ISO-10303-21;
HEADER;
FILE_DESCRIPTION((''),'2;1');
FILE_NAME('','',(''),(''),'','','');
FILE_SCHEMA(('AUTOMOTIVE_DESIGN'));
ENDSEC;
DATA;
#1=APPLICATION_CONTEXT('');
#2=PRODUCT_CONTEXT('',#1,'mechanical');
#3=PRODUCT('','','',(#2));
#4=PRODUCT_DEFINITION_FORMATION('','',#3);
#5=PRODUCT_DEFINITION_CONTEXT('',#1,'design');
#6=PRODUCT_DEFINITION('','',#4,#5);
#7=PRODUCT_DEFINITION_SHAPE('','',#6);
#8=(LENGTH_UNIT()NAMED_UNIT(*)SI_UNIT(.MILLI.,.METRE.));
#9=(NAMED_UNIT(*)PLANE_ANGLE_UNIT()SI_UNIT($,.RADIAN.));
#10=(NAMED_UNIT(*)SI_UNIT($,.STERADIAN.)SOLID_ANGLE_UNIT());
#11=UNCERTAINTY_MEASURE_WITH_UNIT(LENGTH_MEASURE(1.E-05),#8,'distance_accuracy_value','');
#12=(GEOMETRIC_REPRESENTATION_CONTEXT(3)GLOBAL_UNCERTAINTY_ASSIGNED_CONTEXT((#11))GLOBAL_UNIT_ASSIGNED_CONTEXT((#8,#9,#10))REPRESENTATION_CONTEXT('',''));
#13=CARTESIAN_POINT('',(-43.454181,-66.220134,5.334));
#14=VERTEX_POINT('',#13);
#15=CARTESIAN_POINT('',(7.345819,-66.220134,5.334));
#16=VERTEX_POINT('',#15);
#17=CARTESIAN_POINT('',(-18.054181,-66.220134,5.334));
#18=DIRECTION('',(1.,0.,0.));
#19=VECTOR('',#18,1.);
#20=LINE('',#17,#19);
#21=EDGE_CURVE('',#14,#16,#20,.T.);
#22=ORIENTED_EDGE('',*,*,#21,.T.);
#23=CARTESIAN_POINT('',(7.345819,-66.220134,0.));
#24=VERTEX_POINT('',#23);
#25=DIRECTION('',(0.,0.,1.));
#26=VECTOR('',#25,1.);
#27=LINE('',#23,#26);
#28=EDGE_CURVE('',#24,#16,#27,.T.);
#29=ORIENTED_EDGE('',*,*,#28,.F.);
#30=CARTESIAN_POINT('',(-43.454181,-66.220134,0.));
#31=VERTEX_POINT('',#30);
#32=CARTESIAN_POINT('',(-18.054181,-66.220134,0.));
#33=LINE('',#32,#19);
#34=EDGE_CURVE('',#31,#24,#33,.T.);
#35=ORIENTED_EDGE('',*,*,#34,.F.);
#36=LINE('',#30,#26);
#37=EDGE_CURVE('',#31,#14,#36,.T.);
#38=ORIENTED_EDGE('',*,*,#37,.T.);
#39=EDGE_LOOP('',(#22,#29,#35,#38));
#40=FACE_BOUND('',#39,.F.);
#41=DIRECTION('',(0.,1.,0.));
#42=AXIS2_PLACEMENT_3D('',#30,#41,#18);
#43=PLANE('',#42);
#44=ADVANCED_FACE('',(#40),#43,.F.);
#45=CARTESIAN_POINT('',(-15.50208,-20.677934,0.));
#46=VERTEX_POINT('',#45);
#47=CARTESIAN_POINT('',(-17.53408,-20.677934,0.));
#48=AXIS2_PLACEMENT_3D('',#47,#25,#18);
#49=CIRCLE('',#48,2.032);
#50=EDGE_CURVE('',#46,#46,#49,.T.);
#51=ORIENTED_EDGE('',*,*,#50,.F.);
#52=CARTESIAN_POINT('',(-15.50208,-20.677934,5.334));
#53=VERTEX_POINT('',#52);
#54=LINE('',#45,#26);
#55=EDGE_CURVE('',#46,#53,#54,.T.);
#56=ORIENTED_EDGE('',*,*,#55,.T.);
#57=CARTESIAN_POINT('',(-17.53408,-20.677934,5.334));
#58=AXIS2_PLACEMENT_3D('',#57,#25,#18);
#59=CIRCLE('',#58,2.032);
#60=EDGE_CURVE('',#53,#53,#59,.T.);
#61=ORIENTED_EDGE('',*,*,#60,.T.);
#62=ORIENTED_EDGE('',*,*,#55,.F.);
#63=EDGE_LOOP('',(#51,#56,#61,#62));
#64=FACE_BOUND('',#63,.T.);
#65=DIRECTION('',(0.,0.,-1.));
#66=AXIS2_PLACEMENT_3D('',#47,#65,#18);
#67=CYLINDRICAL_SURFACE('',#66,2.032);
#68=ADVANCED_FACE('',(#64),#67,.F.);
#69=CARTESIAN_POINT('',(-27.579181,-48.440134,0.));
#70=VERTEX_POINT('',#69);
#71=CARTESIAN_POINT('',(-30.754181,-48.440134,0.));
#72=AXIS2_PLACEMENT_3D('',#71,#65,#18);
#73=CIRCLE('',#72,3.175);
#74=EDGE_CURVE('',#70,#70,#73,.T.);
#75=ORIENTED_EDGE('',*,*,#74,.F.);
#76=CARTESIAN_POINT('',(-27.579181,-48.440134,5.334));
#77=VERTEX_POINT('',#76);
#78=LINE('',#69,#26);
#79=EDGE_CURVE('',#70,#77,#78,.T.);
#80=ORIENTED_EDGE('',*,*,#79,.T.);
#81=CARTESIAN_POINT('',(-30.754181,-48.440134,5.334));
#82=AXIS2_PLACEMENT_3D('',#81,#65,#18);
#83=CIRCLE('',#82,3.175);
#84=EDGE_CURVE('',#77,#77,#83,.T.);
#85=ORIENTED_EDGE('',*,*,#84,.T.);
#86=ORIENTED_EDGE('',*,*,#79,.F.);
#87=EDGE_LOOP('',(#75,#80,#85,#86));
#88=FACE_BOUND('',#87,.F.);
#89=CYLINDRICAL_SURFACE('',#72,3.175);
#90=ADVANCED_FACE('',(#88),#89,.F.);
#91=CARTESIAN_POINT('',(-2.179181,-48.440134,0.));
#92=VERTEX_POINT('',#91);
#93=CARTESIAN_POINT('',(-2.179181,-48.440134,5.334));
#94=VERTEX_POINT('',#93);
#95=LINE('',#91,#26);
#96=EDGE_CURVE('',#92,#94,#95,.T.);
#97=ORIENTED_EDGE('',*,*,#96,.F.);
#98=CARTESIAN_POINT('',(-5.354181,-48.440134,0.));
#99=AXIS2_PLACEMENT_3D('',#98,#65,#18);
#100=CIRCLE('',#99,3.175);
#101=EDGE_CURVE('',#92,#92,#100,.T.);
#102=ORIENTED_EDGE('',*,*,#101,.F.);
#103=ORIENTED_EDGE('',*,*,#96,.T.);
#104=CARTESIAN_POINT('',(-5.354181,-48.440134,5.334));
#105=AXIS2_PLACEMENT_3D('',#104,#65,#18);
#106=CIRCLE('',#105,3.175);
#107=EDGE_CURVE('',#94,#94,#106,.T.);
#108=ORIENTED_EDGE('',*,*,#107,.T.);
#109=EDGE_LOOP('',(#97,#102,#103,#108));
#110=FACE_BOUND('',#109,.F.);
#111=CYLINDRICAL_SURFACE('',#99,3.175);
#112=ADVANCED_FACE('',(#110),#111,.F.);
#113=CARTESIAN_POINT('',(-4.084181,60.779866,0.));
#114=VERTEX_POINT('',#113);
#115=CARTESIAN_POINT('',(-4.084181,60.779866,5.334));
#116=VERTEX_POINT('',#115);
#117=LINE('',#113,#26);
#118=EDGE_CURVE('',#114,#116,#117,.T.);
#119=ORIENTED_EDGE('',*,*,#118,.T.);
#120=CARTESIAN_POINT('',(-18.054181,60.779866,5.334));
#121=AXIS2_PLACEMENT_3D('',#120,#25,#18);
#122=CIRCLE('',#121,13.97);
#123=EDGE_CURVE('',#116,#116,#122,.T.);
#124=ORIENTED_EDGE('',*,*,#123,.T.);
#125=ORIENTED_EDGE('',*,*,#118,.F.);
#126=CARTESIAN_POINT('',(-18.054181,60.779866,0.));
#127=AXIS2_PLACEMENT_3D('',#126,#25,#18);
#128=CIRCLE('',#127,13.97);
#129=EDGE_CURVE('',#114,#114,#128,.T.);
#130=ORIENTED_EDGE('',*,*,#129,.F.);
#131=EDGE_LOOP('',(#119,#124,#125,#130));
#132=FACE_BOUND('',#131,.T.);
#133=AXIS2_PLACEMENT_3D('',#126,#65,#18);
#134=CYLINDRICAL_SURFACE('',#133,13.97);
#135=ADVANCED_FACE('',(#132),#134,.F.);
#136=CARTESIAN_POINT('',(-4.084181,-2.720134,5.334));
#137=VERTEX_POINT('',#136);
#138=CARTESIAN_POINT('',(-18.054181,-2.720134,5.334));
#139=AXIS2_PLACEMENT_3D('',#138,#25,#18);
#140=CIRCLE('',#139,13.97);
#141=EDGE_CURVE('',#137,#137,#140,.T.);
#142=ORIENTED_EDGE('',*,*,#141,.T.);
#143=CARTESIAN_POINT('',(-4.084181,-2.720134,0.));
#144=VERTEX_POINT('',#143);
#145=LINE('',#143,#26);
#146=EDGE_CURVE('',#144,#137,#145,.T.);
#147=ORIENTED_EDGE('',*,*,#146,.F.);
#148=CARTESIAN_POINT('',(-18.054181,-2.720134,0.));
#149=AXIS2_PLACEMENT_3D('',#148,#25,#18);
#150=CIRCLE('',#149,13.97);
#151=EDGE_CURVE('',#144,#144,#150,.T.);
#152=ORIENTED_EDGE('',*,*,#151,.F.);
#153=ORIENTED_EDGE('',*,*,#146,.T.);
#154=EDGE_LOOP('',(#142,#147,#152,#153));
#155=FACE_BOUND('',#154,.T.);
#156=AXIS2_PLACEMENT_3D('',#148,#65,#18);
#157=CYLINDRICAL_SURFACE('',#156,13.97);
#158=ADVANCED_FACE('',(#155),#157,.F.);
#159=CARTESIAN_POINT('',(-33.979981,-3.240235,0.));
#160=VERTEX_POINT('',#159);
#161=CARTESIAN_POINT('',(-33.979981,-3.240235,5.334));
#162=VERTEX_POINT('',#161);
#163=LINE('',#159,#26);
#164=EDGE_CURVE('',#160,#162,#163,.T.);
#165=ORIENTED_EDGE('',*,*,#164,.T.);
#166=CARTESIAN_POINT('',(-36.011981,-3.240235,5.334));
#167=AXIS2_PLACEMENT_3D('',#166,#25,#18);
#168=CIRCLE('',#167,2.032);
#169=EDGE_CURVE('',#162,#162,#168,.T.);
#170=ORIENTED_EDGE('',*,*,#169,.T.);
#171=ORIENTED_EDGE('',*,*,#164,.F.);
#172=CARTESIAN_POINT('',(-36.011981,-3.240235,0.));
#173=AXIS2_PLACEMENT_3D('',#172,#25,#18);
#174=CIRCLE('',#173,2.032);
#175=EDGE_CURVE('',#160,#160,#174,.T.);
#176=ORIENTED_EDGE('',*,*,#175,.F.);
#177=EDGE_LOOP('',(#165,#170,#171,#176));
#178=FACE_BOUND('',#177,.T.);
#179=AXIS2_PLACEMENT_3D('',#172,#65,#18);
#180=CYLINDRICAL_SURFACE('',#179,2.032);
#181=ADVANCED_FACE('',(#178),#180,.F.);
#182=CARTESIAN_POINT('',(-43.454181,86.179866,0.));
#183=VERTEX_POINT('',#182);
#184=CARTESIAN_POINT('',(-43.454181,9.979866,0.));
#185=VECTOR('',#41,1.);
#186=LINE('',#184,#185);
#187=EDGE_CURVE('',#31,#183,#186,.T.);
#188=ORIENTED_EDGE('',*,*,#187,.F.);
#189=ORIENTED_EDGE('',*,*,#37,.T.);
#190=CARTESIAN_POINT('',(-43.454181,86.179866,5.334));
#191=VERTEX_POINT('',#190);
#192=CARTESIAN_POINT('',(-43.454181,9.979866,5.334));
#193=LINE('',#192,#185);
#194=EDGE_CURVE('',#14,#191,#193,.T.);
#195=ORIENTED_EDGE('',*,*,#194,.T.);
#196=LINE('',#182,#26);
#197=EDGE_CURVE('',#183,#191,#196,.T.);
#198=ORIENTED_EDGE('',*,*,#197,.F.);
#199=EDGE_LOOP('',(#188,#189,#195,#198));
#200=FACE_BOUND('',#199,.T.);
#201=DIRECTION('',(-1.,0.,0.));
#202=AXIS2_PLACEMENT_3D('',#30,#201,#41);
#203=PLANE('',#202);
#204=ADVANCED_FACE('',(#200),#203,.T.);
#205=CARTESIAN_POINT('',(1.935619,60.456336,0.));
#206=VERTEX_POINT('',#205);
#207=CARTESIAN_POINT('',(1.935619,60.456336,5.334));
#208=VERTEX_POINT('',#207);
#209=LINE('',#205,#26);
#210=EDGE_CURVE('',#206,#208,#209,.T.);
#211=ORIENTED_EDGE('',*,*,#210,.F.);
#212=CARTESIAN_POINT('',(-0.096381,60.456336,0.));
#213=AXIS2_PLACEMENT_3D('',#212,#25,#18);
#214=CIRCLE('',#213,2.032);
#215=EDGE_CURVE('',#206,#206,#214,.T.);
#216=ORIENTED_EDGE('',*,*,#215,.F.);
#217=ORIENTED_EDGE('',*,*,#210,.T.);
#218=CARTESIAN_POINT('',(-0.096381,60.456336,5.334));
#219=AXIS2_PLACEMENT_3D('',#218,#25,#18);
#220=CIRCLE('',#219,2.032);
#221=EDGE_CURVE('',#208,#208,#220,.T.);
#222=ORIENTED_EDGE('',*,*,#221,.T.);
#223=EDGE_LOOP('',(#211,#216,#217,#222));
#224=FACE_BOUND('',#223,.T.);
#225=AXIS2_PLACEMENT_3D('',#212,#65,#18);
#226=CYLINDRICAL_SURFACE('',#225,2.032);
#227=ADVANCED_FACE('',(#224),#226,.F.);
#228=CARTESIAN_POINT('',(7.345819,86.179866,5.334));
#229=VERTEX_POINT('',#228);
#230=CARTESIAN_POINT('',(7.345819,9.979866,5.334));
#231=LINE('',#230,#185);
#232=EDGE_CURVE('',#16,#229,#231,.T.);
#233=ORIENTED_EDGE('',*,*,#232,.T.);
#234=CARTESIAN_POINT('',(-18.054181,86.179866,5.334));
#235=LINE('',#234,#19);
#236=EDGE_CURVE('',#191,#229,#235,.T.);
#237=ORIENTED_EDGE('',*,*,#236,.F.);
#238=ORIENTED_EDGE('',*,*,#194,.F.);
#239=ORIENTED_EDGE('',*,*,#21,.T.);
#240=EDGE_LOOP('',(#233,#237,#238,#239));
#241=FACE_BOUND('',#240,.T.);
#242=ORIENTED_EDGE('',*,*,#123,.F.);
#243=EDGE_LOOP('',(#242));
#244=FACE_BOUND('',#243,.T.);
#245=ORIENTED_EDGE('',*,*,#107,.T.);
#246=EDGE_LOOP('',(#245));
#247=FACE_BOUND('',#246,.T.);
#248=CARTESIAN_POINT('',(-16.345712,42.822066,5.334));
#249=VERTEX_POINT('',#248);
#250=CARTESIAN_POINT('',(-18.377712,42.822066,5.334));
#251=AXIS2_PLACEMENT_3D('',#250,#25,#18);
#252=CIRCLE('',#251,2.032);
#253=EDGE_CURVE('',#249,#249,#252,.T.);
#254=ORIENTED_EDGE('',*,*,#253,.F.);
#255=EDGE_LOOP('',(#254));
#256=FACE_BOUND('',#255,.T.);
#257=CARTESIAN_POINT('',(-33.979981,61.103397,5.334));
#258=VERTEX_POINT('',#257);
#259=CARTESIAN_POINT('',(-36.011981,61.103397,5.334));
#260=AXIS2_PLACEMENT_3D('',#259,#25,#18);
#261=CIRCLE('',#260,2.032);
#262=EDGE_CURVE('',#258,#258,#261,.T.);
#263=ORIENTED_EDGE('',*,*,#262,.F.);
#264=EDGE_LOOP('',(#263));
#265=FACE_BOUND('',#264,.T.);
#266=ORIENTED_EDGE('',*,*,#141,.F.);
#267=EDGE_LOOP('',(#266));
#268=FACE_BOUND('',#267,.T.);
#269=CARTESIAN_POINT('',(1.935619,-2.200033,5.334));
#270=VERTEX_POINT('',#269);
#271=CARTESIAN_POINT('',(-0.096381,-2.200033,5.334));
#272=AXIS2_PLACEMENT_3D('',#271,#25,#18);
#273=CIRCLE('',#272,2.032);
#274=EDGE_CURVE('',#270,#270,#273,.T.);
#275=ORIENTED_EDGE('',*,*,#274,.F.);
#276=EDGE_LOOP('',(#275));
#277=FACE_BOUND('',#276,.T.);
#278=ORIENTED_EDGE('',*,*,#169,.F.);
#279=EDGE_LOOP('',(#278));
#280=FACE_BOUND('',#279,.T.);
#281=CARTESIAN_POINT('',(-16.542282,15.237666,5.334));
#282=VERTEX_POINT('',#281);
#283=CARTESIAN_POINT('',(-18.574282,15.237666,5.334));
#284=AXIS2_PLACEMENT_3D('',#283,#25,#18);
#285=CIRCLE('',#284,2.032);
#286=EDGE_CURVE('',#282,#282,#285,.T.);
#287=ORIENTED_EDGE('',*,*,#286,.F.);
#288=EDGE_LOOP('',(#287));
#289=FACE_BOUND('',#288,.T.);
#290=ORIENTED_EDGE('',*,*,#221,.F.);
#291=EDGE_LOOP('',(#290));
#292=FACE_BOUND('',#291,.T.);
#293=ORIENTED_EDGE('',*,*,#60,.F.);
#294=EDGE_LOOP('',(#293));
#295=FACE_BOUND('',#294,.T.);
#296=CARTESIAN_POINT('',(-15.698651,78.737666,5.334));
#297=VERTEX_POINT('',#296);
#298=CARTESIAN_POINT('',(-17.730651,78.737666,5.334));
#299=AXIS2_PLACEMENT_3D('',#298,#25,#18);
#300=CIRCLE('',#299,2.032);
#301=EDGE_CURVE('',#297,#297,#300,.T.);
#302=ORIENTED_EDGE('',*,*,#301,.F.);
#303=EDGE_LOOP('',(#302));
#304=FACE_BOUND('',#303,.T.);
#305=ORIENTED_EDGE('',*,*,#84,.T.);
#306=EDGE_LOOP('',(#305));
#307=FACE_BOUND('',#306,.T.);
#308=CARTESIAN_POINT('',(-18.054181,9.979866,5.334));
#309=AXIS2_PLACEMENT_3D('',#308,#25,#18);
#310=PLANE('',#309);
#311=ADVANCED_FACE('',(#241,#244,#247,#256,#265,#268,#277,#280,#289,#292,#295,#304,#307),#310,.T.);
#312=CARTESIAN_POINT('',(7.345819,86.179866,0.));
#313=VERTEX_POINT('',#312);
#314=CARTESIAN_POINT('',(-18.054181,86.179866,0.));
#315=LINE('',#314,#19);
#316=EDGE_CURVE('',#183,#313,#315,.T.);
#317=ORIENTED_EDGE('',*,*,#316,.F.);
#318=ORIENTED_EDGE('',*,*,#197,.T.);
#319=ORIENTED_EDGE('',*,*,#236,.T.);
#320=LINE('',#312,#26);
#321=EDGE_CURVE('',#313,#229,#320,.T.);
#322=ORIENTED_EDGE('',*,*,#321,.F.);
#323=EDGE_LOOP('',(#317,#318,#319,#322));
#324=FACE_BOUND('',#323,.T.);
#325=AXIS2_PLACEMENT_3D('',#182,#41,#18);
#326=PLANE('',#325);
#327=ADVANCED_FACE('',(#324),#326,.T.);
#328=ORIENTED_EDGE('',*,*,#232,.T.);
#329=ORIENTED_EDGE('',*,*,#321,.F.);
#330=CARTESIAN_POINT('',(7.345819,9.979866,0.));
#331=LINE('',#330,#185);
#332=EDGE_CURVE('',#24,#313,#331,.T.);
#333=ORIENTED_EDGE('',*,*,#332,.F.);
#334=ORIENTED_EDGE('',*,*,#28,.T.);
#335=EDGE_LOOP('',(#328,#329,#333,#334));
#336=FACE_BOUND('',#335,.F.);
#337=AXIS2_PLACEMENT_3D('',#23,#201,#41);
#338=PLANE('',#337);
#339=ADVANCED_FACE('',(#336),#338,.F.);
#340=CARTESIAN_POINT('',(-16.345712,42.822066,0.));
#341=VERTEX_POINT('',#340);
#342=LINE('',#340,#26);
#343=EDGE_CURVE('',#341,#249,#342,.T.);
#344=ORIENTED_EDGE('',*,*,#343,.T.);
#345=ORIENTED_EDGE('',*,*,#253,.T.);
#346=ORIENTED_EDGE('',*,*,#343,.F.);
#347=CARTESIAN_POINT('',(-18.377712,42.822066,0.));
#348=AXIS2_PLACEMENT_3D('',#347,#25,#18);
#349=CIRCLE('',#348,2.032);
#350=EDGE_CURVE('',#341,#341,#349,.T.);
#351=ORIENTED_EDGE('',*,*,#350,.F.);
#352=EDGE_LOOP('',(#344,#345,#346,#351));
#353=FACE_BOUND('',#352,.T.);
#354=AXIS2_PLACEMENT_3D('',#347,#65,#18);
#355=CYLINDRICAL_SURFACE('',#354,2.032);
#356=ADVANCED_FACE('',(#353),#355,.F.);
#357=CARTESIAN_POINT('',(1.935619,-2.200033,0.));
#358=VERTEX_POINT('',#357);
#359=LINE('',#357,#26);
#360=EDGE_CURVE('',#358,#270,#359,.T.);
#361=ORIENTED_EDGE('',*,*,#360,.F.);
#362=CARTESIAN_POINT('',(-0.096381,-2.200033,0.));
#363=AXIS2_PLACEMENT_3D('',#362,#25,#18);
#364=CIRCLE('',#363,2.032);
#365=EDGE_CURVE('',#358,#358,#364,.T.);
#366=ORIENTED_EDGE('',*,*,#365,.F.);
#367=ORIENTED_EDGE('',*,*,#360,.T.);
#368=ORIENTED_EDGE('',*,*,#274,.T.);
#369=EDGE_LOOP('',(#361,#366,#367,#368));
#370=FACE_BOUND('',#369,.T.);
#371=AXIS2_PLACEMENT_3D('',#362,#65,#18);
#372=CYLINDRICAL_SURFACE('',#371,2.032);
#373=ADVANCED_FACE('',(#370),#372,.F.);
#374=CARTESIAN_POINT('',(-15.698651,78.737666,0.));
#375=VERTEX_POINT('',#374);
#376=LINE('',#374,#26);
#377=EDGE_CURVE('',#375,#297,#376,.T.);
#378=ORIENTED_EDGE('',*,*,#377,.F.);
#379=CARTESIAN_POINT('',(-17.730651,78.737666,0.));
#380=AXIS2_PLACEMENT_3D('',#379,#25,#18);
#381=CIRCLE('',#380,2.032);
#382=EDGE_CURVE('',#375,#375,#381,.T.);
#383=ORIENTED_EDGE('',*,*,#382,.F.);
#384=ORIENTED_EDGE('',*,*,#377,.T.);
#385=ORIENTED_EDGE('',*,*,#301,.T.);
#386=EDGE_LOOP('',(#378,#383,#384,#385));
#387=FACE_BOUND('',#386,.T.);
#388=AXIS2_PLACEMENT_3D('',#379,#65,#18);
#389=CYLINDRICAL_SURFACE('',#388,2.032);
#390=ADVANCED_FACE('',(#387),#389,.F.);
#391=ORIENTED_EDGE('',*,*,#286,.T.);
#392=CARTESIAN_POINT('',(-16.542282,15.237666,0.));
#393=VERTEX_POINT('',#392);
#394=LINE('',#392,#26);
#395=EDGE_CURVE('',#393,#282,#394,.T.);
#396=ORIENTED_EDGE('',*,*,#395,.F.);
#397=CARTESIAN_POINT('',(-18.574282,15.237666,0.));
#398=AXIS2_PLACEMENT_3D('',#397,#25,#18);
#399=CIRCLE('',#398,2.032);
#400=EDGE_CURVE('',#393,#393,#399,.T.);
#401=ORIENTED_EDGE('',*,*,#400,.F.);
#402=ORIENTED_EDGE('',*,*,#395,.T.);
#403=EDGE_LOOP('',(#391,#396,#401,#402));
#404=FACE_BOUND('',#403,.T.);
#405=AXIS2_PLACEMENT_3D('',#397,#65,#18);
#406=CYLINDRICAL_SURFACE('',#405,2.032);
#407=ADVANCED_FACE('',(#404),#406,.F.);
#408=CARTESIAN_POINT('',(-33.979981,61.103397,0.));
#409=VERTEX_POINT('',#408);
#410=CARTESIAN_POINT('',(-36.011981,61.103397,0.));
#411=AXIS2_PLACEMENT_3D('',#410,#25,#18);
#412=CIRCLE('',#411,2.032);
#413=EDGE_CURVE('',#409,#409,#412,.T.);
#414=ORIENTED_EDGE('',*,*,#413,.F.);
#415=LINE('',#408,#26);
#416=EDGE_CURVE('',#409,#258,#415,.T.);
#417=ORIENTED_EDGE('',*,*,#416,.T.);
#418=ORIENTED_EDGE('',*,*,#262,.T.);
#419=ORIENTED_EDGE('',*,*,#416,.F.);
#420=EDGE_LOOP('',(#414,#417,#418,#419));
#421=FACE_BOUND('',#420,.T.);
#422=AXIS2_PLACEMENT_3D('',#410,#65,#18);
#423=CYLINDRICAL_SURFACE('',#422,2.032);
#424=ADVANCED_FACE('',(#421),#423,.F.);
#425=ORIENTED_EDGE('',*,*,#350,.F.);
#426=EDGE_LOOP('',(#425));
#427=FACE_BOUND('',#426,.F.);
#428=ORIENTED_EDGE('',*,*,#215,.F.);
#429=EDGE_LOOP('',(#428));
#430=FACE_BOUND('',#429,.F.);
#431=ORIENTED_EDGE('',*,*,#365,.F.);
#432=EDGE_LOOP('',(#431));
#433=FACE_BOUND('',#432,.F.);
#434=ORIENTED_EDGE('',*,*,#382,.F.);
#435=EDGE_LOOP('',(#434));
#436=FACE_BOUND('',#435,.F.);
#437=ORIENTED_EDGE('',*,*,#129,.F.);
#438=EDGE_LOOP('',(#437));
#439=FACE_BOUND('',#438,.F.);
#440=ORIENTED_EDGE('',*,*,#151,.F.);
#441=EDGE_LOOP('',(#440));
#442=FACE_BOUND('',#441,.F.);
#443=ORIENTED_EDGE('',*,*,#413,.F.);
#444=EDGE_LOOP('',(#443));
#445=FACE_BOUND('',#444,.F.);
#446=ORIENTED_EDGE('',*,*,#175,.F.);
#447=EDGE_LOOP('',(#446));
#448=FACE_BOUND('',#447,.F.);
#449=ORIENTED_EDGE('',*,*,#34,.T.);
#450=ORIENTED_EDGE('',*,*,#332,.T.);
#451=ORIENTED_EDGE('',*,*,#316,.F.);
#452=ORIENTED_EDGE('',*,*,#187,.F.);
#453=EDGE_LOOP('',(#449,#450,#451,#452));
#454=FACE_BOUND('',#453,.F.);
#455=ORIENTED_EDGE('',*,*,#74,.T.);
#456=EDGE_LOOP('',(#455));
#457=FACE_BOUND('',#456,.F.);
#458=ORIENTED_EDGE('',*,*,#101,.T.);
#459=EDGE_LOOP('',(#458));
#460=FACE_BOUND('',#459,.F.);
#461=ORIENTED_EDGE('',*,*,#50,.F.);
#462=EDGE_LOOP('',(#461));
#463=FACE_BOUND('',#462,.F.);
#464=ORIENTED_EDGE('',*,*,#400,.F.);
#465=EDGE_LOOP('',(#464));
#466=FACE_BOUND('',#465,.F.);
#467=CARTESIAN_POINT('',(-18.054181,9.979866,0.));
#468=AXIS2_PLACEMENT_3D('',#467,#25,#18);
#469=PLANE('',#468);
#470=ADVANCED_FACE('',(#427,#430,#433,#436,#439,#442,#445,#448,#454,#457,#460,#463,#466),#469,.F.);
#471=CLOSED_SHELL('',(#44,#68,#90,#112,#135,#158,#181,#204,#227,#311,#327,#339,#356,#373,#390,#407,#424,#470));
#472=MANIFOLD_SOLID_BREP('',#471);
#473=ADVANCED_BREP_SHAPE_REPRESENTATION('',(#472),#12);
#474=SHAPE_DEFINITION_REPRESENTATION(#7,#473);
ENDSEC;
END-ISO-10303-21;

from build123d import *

# Parameters (mm, degrees)
F0_W     = 50.8
F0_H     = 152.4
F0_R     = 2.032
F0_R_2   = 13.97
F1_DEPTH = 5.334
F2_R     = 3.175
F3_DEPTH = 25.4


with BuildPart() as f1:
    # F0 (on Top) → F1 (new body)
    with BuildSketch(Plane.XY):
        with Locations((-18.054181, 9.979866)):
            Rectangle(F0_W, F0_H)
        with Locations((-36.011981, -3.240235)):
            Circle(F0_R, mode=Mode.SUBTRACT)
        with Locations((-18.054181, -2.720134)):
            Circle(F0_R_2, mode=Mode.SUBTRACT)
        with Locations((-17.53408, -20.677934)):
            Circle(F0_R, mode=Mode.SUBTRACT)
        with Locations((-0.096381, -2.200033)):
            Circle(F0_R, mode=Mode.SUBTRACT)
        with Locations((-18.574282, 15.237666)):
            Circle(F0_R, mode=Mode.SUBTRACT)
        with Locations((-18.377712, 42.822066)):
            Circle(F0_R, mode=Mode.SUBTRACT)
        with Locations((-36.011981, 61.103397)):
            Circle(F0_R, mode=Mode.SUBTRACT)
        with Locations((-18.054181, 60.779866)):
            Circle(F0_R_2, mode=Mode.SUBTRACT)
        with Locations((-17.730651, 78.737666)):
            Circle(F0_R, mode=Mode.SUBTRACT)
        with Locations((-0.096381, 60.456336)):
            Circle(F0_R, mode=Mode.SUBTRACT)
    extrude(amount=F1_DEPTH)

    # F2 (on face) → F3 (cut)
    with BuildSketch(Plane(origin=(0, 0, 0), x_dir=(1, 0, 0), z_dir=(0, 0, -1))):
        with Locations((-5.354181, 48.440134)):
            Circle(F2_R)
        with Locations((-30.754181, 48.440134)):
            Circle(F2_R)
    extrude(amount=-F3_DEPTH, mode=Mode.SUBTRACT)


solid = f1.part
